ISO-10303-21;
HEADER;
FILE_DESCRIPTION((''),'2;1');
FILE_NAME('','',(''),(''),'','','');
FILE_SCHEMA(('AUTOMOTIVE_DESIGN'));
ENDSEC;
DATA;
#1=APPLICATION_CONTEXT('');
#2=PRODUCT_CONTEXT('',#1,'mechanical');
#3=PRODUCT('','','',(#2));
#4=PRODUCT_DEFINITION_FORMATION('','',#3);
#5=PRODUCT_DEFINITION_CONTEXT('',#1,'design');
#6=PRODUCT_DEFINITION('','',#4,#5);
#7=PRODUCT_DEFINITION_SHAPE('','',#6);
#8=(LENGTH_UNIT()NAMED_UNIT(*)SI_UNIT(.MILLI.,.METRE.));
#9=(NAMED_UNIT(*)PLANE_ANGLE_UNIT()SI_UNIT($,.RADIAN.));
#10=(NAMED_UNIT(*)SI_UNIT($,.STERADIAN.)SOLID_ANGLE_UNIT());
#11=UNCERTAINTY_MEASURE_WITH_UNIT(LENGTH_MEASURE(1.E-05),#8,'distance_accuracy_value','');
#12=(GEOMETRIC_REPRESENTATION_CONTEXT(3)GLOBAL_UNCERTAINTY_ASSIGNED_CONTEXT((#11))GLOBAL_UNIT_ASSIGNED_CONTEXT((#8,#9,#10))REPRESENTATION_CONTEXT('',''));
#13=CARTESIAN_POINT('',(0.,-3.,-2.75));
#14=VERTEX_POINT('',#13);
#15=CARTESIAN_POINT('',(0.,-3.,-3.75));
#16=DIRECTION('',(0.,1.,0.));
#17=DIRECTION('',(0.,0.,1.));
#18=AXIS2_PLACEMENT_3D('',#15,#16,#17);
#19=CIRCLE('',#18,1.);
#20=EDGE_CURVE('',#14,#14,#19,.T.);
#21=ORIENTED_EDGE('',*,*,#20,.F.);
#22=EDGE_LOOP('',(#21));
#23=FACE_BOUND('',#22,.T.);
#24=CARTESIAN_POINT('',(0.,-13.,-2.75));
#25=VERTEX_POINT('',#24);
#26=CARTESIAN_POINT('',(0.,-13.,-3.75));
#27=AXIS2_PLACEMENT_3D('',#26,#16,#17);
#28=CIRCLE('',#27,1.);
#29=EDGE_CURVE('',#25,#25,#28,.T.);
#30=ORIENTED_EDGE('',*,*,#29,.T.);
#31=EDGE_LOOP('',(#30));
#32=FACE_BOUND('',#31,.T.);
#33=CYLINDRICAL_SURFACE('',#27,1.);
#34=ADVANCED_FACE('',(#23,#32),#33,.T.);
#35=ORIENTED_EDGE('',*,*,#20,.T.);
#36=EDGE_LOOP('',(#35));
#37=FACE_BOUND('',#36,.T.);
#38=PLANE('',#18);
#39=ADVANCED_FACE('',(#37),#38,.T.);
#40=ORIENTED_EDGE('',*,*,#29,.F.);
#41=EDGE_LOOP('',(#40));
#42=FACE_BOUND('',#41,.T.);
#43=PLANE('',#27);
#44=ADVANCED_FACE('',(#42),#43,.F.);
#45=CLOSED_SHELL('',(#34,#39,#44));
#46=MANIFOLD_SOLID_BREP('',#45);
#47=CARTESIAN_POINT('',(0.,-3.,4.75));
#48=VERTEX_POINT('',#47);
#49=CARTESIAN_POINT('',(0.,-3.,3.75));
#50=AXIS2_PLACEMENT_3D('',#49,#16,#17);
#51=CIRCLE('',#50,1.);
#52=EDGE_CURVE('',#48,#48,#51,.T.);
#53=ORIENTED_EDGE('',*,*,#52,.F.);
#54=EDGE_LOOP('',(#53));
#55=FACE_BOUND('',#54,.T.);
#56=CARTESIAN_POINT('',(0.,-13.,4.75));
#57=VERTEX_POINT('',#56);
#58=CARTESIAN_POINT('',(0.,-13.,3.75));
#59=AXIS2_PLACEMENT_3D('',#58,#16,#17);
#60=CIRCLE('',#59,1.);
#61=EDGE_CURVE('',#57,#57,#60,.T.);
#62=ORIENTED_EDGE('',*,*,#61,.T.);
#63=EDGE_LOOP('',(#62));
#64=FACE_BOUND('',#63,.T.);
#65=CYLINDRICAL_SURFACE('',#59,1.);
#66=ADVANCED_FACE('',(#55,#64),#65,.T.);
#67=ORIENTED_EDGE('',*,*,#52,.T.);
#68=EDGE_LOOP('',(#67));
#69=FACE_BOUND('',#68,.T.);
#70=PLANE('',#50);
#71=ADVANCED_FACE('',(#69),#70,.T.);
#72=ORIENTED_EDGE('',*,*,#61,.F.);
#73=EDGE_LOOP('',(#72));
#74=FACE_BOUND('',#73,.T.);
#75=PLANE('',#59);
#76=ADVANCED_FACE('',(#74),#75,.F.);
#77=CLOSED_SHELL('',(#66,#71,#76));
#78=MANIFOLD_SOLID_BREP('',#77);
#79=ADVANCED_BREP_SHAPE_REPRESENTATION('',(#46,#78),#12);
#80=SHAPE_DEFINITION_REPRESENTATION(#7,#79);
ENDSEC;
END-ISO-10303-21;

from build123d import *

# Parameters (mm, degrees)
EXTRUDE_START     = -3
SKETCH_1_R        = 1
EXTRUDE_3_DEPTH   = 10
EXTRUDE_3_2_DEPTH = 10


with BuildPart() as part:
    # Эскиз1 → Бобышка-Вытянуть3 (new body)
    with BuildSketch(Plane(origin=(0, 0, 0), x_dir=(1, 0, 0), z_dir=(0, 1, 0)).offset(EXTRUDE_START)):
        with Locations(Location((0, -3.75, 0), (0, 0, 270))):
            Circle(SKETCH_1_R)
    extrude(amount=-EXTRUDE_3_DEPTH)


with BuildPart() as body_2:
    # Эскиз1 → Extrude 3 2 (new body)
    with BuildSketch(Plane(origin=(0, 0, 0), x_dir=(1, 0, 0), z_dir=(0, 1, 0)).offset(EXTRUDE_START)):
        with Locations(Location((0, 3.75, 0), (0, 0, 270))):
            Circle(SKETCH_1_R)
    extrude(amount=-EXTRUDE_3_2_DEPTH)


solid = Compound([part.part, body_2.part])
